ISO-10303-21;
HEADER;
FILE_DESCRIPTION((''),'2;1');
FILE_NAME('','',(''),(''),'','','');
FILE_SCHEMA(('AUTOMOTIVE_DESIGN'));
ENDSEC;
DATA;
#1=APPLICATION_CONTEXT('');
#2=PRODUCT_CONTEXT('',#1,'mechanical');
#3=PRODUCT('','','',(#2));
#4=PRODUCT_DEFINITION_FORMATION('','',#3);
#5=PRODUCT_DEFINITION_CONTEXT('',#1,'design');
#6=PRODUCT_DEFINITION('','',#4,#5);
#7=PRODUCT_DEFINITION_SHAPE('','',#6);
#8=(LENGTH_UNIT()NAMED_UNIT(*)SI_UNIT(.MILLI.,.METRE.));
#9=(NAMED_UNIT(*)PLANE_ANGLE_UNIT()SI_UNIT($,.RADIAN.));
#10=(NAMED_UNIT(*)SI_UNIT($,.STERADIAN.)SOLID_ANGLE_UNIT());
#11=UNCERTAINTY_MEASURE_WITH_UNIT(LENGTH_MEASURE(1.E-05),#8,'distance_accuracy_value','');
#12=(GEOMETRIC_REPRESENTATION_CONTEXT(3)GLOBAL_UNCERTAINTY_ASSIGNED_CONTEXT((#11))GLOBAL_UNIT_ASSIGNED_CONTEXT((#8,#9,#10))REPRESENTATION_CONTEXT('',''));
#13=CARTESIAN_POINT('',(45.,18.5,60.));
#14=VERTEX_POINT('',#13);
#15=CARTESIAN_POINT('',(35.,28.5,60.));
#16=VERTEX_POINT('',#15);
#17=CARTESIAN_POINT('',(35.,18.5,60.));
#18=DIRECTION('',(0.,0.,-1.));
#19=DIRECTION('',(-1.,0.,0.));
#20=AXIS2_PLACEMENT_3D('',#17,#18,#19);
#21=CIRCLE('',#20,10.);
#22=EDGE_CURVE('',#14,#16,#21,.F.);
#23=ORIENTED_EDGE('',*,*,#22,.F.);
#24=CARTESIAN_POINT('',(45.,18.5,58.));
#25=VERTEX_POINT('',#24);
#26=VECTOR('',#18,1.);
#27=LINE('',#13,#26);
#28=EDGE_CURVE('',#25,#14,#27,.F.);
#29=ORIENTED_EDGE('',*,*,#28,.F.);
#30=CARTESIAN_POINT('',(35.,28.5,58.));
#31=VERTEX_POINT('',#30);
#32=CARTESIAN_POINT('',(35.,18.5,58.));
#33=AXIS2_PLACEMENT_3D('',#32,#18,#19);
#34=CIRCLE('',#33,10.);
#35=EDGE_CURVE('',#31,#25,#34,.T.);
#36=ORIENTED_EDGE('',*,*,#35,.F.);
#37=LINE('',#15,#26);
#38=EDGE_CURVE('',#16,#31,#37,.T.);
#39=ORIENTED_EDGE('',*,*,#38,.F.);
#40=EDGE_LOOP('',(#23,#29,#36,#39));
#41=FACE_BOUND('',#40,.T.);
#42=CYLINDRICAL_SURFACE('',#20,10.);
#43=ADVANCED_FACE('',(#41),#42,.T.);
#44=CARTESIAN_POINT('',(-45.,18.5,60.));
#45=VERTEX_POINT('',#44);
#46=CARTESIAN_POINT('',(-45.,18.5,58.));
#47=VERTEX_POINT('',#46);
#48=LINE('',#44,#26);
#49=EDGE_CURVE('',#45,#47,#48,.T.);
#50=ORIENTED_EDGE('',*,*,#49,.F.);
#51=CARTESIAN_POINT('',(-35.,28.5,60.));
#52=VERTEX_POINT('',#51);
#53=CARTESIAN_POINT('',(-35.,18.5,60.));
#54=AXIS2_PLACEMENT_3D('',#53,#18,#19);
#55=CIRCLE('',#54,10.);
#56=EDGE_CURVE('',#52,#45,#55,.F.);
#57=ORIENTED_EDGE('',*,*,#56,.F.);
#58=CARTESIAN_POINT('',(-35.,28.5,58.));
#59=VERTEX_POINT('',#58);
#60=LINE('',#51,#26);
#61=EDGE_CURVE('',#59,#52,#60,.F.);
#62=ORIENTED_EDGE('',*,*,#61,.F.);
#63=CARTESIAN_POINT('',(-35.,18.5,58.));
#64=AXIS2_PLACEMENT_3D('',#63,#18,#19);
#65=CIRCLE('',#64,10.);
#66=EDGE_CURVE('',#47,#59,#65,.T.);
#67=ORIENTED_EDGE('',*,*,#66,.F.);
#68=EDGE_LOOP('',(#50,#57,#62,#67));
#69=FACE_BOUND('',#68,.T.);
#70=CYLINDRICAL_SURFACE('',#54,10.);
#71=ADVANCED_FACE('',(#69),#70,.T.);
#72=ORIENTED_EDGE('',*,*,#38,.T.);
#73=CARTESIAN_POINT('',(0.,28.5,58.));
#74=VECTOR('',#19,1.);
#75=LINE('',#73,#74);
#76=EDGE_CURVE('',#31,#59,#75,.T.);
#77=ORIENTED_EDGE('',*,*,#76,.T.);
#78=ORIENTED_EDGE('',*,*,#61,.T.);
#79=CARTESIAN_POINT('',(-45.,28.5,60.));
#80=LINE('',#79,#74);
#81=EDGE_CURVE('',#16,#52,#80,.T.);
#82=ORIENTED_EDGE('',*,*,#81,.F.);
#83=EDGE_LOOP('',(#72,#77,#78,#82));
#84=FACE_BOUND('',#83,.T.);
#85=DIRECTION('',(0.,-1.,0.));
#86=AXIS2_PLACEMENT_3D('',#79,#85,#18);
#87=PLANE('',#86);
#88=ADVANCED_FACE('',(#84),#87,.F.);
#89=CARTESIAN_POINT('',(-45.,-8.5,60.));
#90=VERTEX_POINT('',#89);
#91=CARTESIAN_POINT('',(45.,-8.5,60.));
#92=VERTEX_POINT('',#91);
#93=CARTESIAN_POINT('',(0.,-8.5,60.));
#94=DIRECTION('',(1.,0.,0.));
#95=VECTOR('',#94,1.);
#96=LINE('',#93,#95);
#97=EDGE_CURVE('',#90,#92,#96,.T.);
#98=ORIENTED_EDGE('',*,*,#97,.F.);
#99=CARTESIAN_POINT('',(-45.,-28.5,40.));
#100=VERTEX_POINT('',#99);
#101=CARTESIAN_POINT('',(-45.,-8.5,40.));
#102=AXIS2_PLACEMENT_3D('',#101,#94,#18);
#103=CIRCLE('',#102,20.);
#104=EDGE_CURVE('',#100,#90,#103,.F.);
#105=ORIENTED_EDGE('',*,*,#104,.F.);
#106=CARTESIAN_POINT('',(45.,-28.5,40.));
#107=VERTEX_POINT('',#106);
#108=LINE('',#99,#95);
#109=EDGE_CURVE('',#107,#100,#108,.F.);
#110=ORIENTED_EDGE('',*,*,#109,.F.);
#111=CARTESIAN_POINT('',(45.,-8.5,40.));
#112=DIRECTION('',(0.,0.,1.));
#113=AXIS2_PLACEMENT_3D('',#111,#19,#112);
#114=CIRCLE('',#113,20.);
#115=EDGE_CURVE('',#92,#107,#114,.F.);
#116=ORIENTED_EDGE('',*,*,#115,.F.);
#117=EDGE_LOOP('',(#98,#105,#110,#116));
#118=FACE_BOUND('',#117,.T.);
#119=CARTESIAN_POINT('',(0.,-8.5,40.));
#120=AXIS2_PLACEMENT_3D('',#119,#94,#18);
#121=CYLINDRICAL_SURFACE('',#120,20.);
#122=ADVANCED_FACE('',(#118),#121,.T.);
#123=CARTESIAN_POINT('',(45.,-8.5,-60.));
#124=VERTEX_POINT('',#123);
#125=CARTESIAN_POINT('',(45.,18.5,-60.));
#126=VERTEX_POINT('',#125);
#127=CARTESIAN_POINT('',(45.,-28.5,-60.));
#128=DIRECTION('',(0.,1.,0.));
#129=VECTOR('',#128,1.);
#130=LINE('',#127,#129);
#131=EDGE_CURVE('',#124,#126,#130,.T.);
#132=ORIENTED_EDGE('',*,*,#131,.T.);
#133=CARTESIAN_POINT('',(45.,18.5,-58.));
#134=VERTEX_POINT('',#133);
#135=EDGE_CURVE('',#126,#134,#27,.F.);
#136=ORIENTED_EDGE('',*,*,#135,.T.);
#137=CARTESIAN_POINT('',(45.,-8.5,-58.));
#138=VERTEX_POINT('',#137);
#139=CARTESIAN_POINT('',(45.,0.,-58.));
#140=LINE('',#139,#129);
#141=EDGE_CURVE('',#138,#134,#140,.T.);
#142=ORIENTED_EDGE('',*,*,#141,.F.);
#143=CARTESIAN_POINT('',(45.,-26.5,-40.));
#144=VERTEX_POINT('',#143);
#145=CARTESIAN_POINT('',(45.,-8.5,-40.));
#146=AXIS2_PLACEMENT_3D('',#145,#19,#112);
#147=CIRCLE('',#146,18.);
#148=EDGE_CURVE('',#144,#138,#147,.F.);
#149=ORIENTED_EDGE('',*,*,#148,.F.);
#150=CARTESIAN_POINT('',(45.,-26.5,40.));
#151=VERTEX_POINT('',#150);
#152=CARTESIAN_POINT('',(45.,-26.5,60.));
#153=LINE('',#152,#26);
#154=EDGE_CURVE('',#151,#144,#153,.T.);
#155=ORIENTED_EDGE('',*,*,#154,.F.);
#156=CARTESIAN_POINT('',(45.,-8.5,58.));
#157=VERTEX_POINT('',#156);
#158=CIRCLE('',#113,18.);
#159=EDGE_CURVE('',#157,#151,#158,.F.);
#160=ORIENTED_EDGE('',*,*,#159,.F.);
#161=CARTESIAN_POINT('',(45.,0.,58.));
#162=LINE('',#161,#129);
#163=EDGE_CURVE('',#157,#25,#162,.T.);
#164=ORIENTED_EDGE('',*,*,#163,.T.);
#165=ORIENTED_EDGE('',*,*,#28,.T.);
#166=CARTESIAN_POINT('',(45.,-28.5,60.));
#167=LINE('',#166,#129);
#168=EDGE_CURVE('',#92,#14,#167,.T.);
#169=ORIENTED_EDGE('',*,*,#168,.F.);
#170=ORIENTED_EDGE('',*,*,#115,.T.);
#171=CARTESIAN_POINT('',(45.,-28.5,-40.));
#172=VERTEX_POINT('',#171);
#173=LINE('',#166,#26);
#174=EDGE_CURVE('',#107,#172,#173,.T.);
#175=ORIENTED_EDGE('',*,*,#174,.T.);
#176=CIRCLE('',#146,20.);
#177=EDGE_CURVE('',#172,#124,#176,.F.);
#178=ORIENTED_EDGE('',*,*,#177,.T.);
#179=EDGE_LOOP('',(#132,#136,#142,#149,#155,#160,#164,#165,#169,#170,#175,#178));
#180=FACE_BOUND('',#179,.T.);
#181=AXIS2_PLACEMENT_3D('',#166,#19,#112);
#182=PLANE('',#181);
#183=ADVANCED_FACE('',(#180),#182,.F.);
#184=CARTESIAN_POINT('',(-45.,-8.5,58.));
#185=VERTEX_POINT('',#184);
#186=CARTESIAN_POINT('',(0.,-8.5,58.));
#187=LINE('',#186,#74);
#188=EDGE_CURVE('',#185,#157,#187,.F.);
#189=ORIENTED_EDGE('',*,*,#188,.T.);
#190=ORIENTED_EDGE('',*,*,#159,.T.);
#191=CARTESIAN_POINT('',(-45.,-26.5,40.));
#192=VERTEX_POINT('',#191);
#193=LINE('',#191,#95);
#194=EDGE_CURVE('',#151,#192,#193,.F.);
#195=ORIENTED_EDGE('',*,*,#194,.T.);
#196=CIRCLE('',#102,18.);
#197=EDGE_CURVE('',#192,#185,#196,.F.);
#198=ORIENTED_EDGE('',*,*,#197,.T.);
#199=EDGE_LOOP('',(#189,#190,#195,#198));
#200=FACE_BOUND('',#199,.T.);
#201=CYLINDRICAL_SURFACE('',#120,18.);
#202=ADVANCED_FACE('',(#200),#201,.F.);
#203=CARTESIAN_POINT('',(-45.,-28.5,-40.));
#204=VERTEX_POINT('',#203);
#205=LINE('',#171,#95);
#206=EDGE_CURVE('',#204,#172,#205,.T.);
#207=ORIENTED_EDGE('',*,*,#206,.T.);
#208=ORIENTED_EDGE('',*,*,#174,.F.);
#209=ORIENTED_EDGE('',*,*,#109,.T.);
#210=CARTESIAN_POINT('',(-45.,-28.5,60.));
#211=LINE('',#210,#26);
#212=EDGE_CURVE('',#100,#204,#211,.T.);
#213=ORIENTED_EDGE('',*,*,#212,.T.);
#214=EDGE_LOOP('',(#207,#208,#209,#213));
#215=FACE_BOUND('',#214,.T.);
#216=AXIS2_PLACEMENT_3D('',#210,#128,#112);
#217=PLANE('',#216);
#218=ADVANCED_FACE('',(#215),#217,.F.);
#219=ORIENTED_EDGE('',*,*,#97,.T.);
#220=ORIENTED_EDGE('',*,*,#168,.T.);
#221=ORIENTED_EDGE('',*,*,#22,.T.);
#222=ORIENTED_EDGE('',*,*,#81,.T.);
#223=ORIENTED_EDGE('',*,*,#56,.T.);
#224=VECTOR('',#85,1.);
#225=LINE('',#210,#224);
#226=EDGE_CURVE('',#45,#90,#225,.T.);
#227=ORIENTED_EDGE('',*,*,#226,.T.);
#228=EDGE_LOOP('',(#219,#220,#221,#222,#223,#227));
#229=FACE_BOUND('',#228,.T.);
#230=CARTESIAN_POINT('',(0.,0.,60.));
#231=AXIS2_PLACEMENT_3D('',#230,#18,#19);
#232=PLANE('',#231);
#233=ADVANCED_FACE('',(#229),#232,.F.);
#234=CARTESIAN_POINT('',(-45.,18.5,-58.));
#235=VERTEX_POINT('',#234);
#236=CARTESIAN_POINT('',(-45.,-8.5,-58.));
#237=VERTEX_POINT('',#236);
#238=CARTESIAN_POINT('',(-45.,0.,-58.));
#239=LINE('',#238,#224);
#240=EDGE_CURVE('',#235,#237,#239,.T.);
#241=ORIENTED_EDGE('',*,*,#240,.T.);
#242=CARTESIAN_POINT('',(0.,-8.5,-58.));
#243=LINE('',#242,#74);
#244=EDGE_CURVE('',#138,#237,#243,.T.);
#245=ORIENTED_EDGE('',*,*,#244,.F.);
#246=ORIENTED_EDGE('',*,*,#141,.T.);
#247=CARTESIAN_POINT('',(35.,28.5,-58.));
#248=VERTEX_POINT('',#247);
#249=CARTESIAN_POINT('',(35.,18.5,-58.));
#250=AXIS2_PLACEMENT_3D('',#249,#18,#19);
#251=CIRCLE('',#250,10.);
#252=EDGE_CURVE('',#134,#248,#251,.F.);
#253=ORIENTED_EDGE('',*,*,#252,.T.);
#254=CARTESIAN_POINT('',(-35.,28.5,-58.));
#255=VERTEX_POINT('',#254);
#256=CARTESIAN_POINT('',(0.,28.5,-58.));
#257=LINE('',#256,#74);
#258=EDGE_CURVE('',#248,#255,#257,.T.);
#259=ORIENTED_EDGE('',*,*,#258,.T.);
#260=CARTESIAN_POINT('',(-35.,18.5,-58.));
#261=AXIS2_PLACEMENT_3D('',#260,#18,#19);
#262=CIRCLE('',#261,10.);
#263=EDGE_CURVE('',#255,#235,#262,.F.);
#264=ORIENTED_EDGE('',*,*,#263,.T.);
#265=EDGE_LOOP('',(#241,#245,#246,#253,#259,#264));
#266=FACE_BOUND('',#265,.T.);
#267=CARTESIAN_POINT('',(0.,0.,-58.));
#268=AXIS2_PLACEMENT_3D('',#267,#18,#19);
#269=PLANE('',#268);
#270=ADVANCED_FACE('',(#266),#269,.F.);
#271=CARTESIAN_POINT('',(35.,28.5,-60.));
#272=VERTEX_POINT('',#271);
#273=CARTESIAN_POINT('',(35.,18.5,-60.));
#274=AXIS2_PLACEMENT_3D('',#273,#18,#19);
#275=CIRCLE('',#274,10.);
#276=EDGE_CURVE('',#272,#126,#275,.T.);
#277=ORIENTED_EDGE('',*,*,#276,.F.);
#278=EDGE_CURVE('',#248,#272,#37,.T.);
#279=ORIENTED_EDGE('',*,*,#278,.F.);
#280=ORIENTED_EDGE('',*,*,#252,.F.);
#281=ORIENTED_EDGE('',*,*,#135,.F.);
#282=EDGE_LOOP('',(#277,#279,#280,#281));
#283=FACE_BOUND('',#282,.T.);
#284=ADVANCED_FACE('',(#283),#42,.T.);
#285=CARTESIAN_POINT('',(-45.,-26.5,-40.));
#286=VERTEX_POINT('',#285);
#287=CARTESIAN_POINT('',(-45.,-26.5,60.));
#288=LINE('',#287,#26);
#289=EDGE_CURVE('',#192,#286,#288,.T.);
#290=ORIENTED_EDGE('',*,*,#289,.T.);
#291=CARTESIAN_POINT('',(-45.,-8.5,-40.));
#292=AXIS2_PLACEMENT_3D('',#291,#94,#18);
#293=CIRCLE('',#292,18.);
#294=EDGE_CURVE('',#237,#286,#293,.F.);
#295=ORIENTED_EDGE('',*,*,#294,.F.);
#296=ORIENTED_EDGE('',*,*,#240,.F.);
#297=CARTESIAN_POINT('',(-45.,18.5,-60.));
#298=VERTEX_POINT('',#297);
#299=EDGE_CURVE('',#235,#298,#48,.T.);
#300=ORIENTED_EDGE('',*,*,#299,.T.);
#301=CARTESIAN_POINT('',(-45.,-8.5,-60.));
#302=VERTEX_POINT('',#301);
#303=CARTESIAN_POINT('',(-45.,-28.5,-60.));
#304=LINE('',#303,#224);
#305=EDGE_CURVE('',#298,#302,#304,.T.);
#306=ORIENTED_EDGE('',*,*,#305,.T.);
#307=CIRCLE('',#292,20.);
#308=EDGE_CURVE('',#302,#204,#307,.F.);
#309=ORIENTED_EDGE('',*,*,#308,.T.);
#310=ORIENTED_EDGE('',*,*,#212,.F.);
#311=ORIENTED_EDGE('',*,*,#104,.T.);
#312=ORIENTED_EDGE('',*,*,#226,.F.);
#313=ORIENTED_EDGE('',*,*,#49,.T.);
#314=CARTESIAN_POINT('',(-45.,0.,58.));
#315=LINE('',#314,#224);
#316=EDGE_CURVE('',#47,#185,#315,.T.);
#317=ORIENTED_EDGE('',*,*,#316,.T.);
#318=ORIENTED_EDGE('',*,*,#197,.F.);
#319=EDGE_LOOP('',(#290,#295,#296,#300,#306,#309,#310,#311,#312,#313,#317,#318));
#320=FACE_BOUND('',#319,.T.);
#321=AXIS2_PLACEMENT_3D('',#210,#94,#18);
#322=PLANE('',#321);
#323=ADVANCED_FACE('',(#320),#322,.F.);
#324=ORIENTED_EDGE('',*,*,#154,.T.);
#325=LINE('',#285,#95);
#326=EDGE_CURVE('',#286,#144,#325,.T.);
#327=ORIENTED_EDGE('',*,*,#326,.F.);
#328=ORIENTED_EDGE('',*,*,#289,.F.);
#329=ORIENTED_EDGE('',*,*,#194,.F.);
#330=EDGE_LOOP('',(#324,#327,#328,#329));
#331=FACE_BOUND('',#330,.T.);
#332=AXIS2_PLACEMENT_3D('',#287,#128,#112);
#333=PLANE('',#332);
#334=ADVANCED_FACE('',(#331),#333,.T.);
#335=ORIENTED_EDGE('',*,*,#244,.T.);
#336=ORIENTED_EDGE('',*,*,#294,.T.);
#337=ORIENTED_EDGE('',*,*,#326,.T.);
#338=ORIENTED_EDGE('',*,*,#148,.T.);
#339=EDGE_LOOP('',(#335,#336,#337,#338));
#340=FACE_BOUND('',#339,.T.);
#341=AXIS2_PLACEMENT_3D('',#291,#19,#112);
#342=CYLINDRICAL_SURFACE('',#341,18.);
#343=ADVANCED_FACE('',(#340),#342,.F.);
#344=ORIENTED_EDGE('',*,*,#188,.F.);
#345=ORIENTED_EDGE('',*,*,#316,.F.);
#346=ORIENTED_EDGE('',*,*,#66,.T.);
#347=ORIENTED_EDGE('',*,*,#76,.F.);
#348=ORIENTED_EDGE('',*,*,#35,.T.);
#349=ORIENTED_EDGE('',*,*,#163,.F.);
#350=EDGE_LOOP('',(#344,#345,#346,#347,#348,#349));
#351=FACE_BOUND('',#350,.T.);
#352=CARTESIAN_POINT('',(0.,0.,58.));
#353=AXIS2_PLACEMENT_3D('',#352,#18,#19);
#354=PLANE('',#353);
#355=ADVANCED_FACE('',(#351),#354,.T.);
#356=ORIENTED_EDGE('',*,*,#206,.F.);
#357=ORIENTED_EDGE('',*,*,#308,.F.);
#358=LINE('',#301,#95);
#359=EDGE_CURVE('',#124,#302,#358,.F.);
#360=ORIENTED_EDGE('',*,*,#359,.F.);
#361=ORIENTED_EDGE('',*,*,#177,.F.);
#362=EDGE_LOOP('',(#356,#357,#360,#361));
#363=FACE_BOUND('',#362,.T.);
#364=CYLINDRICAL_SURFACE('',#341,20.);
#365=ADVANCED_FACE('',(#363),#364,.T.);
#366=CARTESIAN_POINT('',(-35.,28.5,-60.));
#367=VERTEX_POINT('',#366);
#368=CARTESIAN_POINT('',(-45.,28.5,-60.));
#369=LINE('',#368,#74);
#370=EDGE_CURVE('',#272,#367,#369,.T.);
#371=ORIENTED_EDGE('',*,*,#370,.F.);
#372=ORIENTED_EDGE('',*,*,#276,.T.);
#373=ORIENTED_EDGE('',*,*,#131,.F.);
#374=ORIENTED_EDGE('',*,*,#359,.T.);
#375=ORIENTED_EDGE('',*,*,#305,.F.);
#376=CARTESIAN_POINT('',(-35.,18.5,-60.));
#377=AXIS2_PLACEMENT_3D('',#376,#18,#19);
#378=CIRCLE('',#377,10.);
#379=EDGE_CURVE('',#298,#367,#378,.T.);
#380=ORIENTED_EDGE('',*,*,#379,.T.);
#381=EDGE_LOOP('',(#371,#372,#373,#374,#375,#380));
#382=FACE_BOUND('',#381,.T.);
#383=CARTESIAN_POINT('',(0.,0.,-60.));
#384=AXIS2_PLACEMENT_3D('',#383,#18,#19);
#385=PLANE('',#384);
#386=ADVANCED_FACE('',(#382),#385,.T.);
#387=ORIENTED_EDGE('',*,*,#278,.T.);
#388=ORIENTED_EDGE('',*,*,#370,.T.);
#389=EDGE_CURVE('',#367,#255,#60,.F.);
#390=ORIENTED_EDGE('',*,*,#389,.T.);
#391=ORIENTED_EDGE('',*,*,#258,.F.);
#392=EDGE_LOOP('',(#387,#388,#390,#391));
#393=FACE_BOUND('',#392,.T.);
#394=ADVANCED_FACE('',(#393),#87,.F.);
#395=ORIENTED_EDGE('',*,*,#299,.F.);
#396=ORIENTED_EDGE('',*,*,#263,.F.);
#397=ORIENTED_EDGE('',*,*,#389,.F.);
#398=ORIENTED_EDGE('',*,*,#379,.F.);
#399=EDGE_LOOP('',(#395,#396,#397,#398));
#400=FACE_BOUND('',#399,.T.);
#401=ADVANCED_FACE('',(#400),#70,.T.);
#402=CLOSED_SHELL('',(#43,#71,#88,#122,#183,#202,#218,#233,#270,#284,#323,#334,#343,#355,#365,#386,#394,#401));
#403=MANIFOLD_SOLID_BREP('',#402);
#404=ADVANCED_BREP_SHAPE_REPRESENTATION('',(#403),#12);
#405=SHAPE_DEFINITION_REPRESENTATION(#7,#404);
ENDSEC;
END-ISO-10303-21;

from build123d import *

# Parameters (mm, degrees)
SKETCH1_W           = 90
SKETCH1_H           = 57
BOSS_EXTRUDE1_DEPTH = 60
FILLET1_R           = 20
SHELL1_T            = -2
FILLET2_R           = 10


with BuildPart() as part:
    # Sketch1 → Boss-Extrude1 (new, symmetric)
    with BuildSketch(Plane.XY):
        Rectangle(SKETCH1_W, SKETCH1_H)
    extrude(amount=BOSS_EXTRUDE1_DEPTH, both=True)

    # Fillet1
    fillet1_edges = [part.edges().sort_by_distance(p)[0] for p in [
        (0, -28.5, 60),
        (0, -28.5, -60),
    ]]
    fillet(fillet1_edges, radius=FILLET1_R)

    # Shell1
    shell1_openings = [part.faces().sort_by_distance(p)[0] for p in [
        (-45, 0.618740562, 0),
        (0, 28.5, 0),
        (45, 0.618740562, 0),
    ]]
    offset(amount=SHELL1_T, openings=shell1_openings, kind=Kind.INTERSECTION)

    # Fillet2
    fillet2_edges = [part.edges().sort_by_distance(p)[0] for p in [
        (-45, 28.5, -59),
        (45, 28.5, -59),
        (-45, 28.5, 59),
        (45, 28.5, 59),
    ]]
    fillet(fillet2_edges, radius=FILLET2_R)


solid = part.part
